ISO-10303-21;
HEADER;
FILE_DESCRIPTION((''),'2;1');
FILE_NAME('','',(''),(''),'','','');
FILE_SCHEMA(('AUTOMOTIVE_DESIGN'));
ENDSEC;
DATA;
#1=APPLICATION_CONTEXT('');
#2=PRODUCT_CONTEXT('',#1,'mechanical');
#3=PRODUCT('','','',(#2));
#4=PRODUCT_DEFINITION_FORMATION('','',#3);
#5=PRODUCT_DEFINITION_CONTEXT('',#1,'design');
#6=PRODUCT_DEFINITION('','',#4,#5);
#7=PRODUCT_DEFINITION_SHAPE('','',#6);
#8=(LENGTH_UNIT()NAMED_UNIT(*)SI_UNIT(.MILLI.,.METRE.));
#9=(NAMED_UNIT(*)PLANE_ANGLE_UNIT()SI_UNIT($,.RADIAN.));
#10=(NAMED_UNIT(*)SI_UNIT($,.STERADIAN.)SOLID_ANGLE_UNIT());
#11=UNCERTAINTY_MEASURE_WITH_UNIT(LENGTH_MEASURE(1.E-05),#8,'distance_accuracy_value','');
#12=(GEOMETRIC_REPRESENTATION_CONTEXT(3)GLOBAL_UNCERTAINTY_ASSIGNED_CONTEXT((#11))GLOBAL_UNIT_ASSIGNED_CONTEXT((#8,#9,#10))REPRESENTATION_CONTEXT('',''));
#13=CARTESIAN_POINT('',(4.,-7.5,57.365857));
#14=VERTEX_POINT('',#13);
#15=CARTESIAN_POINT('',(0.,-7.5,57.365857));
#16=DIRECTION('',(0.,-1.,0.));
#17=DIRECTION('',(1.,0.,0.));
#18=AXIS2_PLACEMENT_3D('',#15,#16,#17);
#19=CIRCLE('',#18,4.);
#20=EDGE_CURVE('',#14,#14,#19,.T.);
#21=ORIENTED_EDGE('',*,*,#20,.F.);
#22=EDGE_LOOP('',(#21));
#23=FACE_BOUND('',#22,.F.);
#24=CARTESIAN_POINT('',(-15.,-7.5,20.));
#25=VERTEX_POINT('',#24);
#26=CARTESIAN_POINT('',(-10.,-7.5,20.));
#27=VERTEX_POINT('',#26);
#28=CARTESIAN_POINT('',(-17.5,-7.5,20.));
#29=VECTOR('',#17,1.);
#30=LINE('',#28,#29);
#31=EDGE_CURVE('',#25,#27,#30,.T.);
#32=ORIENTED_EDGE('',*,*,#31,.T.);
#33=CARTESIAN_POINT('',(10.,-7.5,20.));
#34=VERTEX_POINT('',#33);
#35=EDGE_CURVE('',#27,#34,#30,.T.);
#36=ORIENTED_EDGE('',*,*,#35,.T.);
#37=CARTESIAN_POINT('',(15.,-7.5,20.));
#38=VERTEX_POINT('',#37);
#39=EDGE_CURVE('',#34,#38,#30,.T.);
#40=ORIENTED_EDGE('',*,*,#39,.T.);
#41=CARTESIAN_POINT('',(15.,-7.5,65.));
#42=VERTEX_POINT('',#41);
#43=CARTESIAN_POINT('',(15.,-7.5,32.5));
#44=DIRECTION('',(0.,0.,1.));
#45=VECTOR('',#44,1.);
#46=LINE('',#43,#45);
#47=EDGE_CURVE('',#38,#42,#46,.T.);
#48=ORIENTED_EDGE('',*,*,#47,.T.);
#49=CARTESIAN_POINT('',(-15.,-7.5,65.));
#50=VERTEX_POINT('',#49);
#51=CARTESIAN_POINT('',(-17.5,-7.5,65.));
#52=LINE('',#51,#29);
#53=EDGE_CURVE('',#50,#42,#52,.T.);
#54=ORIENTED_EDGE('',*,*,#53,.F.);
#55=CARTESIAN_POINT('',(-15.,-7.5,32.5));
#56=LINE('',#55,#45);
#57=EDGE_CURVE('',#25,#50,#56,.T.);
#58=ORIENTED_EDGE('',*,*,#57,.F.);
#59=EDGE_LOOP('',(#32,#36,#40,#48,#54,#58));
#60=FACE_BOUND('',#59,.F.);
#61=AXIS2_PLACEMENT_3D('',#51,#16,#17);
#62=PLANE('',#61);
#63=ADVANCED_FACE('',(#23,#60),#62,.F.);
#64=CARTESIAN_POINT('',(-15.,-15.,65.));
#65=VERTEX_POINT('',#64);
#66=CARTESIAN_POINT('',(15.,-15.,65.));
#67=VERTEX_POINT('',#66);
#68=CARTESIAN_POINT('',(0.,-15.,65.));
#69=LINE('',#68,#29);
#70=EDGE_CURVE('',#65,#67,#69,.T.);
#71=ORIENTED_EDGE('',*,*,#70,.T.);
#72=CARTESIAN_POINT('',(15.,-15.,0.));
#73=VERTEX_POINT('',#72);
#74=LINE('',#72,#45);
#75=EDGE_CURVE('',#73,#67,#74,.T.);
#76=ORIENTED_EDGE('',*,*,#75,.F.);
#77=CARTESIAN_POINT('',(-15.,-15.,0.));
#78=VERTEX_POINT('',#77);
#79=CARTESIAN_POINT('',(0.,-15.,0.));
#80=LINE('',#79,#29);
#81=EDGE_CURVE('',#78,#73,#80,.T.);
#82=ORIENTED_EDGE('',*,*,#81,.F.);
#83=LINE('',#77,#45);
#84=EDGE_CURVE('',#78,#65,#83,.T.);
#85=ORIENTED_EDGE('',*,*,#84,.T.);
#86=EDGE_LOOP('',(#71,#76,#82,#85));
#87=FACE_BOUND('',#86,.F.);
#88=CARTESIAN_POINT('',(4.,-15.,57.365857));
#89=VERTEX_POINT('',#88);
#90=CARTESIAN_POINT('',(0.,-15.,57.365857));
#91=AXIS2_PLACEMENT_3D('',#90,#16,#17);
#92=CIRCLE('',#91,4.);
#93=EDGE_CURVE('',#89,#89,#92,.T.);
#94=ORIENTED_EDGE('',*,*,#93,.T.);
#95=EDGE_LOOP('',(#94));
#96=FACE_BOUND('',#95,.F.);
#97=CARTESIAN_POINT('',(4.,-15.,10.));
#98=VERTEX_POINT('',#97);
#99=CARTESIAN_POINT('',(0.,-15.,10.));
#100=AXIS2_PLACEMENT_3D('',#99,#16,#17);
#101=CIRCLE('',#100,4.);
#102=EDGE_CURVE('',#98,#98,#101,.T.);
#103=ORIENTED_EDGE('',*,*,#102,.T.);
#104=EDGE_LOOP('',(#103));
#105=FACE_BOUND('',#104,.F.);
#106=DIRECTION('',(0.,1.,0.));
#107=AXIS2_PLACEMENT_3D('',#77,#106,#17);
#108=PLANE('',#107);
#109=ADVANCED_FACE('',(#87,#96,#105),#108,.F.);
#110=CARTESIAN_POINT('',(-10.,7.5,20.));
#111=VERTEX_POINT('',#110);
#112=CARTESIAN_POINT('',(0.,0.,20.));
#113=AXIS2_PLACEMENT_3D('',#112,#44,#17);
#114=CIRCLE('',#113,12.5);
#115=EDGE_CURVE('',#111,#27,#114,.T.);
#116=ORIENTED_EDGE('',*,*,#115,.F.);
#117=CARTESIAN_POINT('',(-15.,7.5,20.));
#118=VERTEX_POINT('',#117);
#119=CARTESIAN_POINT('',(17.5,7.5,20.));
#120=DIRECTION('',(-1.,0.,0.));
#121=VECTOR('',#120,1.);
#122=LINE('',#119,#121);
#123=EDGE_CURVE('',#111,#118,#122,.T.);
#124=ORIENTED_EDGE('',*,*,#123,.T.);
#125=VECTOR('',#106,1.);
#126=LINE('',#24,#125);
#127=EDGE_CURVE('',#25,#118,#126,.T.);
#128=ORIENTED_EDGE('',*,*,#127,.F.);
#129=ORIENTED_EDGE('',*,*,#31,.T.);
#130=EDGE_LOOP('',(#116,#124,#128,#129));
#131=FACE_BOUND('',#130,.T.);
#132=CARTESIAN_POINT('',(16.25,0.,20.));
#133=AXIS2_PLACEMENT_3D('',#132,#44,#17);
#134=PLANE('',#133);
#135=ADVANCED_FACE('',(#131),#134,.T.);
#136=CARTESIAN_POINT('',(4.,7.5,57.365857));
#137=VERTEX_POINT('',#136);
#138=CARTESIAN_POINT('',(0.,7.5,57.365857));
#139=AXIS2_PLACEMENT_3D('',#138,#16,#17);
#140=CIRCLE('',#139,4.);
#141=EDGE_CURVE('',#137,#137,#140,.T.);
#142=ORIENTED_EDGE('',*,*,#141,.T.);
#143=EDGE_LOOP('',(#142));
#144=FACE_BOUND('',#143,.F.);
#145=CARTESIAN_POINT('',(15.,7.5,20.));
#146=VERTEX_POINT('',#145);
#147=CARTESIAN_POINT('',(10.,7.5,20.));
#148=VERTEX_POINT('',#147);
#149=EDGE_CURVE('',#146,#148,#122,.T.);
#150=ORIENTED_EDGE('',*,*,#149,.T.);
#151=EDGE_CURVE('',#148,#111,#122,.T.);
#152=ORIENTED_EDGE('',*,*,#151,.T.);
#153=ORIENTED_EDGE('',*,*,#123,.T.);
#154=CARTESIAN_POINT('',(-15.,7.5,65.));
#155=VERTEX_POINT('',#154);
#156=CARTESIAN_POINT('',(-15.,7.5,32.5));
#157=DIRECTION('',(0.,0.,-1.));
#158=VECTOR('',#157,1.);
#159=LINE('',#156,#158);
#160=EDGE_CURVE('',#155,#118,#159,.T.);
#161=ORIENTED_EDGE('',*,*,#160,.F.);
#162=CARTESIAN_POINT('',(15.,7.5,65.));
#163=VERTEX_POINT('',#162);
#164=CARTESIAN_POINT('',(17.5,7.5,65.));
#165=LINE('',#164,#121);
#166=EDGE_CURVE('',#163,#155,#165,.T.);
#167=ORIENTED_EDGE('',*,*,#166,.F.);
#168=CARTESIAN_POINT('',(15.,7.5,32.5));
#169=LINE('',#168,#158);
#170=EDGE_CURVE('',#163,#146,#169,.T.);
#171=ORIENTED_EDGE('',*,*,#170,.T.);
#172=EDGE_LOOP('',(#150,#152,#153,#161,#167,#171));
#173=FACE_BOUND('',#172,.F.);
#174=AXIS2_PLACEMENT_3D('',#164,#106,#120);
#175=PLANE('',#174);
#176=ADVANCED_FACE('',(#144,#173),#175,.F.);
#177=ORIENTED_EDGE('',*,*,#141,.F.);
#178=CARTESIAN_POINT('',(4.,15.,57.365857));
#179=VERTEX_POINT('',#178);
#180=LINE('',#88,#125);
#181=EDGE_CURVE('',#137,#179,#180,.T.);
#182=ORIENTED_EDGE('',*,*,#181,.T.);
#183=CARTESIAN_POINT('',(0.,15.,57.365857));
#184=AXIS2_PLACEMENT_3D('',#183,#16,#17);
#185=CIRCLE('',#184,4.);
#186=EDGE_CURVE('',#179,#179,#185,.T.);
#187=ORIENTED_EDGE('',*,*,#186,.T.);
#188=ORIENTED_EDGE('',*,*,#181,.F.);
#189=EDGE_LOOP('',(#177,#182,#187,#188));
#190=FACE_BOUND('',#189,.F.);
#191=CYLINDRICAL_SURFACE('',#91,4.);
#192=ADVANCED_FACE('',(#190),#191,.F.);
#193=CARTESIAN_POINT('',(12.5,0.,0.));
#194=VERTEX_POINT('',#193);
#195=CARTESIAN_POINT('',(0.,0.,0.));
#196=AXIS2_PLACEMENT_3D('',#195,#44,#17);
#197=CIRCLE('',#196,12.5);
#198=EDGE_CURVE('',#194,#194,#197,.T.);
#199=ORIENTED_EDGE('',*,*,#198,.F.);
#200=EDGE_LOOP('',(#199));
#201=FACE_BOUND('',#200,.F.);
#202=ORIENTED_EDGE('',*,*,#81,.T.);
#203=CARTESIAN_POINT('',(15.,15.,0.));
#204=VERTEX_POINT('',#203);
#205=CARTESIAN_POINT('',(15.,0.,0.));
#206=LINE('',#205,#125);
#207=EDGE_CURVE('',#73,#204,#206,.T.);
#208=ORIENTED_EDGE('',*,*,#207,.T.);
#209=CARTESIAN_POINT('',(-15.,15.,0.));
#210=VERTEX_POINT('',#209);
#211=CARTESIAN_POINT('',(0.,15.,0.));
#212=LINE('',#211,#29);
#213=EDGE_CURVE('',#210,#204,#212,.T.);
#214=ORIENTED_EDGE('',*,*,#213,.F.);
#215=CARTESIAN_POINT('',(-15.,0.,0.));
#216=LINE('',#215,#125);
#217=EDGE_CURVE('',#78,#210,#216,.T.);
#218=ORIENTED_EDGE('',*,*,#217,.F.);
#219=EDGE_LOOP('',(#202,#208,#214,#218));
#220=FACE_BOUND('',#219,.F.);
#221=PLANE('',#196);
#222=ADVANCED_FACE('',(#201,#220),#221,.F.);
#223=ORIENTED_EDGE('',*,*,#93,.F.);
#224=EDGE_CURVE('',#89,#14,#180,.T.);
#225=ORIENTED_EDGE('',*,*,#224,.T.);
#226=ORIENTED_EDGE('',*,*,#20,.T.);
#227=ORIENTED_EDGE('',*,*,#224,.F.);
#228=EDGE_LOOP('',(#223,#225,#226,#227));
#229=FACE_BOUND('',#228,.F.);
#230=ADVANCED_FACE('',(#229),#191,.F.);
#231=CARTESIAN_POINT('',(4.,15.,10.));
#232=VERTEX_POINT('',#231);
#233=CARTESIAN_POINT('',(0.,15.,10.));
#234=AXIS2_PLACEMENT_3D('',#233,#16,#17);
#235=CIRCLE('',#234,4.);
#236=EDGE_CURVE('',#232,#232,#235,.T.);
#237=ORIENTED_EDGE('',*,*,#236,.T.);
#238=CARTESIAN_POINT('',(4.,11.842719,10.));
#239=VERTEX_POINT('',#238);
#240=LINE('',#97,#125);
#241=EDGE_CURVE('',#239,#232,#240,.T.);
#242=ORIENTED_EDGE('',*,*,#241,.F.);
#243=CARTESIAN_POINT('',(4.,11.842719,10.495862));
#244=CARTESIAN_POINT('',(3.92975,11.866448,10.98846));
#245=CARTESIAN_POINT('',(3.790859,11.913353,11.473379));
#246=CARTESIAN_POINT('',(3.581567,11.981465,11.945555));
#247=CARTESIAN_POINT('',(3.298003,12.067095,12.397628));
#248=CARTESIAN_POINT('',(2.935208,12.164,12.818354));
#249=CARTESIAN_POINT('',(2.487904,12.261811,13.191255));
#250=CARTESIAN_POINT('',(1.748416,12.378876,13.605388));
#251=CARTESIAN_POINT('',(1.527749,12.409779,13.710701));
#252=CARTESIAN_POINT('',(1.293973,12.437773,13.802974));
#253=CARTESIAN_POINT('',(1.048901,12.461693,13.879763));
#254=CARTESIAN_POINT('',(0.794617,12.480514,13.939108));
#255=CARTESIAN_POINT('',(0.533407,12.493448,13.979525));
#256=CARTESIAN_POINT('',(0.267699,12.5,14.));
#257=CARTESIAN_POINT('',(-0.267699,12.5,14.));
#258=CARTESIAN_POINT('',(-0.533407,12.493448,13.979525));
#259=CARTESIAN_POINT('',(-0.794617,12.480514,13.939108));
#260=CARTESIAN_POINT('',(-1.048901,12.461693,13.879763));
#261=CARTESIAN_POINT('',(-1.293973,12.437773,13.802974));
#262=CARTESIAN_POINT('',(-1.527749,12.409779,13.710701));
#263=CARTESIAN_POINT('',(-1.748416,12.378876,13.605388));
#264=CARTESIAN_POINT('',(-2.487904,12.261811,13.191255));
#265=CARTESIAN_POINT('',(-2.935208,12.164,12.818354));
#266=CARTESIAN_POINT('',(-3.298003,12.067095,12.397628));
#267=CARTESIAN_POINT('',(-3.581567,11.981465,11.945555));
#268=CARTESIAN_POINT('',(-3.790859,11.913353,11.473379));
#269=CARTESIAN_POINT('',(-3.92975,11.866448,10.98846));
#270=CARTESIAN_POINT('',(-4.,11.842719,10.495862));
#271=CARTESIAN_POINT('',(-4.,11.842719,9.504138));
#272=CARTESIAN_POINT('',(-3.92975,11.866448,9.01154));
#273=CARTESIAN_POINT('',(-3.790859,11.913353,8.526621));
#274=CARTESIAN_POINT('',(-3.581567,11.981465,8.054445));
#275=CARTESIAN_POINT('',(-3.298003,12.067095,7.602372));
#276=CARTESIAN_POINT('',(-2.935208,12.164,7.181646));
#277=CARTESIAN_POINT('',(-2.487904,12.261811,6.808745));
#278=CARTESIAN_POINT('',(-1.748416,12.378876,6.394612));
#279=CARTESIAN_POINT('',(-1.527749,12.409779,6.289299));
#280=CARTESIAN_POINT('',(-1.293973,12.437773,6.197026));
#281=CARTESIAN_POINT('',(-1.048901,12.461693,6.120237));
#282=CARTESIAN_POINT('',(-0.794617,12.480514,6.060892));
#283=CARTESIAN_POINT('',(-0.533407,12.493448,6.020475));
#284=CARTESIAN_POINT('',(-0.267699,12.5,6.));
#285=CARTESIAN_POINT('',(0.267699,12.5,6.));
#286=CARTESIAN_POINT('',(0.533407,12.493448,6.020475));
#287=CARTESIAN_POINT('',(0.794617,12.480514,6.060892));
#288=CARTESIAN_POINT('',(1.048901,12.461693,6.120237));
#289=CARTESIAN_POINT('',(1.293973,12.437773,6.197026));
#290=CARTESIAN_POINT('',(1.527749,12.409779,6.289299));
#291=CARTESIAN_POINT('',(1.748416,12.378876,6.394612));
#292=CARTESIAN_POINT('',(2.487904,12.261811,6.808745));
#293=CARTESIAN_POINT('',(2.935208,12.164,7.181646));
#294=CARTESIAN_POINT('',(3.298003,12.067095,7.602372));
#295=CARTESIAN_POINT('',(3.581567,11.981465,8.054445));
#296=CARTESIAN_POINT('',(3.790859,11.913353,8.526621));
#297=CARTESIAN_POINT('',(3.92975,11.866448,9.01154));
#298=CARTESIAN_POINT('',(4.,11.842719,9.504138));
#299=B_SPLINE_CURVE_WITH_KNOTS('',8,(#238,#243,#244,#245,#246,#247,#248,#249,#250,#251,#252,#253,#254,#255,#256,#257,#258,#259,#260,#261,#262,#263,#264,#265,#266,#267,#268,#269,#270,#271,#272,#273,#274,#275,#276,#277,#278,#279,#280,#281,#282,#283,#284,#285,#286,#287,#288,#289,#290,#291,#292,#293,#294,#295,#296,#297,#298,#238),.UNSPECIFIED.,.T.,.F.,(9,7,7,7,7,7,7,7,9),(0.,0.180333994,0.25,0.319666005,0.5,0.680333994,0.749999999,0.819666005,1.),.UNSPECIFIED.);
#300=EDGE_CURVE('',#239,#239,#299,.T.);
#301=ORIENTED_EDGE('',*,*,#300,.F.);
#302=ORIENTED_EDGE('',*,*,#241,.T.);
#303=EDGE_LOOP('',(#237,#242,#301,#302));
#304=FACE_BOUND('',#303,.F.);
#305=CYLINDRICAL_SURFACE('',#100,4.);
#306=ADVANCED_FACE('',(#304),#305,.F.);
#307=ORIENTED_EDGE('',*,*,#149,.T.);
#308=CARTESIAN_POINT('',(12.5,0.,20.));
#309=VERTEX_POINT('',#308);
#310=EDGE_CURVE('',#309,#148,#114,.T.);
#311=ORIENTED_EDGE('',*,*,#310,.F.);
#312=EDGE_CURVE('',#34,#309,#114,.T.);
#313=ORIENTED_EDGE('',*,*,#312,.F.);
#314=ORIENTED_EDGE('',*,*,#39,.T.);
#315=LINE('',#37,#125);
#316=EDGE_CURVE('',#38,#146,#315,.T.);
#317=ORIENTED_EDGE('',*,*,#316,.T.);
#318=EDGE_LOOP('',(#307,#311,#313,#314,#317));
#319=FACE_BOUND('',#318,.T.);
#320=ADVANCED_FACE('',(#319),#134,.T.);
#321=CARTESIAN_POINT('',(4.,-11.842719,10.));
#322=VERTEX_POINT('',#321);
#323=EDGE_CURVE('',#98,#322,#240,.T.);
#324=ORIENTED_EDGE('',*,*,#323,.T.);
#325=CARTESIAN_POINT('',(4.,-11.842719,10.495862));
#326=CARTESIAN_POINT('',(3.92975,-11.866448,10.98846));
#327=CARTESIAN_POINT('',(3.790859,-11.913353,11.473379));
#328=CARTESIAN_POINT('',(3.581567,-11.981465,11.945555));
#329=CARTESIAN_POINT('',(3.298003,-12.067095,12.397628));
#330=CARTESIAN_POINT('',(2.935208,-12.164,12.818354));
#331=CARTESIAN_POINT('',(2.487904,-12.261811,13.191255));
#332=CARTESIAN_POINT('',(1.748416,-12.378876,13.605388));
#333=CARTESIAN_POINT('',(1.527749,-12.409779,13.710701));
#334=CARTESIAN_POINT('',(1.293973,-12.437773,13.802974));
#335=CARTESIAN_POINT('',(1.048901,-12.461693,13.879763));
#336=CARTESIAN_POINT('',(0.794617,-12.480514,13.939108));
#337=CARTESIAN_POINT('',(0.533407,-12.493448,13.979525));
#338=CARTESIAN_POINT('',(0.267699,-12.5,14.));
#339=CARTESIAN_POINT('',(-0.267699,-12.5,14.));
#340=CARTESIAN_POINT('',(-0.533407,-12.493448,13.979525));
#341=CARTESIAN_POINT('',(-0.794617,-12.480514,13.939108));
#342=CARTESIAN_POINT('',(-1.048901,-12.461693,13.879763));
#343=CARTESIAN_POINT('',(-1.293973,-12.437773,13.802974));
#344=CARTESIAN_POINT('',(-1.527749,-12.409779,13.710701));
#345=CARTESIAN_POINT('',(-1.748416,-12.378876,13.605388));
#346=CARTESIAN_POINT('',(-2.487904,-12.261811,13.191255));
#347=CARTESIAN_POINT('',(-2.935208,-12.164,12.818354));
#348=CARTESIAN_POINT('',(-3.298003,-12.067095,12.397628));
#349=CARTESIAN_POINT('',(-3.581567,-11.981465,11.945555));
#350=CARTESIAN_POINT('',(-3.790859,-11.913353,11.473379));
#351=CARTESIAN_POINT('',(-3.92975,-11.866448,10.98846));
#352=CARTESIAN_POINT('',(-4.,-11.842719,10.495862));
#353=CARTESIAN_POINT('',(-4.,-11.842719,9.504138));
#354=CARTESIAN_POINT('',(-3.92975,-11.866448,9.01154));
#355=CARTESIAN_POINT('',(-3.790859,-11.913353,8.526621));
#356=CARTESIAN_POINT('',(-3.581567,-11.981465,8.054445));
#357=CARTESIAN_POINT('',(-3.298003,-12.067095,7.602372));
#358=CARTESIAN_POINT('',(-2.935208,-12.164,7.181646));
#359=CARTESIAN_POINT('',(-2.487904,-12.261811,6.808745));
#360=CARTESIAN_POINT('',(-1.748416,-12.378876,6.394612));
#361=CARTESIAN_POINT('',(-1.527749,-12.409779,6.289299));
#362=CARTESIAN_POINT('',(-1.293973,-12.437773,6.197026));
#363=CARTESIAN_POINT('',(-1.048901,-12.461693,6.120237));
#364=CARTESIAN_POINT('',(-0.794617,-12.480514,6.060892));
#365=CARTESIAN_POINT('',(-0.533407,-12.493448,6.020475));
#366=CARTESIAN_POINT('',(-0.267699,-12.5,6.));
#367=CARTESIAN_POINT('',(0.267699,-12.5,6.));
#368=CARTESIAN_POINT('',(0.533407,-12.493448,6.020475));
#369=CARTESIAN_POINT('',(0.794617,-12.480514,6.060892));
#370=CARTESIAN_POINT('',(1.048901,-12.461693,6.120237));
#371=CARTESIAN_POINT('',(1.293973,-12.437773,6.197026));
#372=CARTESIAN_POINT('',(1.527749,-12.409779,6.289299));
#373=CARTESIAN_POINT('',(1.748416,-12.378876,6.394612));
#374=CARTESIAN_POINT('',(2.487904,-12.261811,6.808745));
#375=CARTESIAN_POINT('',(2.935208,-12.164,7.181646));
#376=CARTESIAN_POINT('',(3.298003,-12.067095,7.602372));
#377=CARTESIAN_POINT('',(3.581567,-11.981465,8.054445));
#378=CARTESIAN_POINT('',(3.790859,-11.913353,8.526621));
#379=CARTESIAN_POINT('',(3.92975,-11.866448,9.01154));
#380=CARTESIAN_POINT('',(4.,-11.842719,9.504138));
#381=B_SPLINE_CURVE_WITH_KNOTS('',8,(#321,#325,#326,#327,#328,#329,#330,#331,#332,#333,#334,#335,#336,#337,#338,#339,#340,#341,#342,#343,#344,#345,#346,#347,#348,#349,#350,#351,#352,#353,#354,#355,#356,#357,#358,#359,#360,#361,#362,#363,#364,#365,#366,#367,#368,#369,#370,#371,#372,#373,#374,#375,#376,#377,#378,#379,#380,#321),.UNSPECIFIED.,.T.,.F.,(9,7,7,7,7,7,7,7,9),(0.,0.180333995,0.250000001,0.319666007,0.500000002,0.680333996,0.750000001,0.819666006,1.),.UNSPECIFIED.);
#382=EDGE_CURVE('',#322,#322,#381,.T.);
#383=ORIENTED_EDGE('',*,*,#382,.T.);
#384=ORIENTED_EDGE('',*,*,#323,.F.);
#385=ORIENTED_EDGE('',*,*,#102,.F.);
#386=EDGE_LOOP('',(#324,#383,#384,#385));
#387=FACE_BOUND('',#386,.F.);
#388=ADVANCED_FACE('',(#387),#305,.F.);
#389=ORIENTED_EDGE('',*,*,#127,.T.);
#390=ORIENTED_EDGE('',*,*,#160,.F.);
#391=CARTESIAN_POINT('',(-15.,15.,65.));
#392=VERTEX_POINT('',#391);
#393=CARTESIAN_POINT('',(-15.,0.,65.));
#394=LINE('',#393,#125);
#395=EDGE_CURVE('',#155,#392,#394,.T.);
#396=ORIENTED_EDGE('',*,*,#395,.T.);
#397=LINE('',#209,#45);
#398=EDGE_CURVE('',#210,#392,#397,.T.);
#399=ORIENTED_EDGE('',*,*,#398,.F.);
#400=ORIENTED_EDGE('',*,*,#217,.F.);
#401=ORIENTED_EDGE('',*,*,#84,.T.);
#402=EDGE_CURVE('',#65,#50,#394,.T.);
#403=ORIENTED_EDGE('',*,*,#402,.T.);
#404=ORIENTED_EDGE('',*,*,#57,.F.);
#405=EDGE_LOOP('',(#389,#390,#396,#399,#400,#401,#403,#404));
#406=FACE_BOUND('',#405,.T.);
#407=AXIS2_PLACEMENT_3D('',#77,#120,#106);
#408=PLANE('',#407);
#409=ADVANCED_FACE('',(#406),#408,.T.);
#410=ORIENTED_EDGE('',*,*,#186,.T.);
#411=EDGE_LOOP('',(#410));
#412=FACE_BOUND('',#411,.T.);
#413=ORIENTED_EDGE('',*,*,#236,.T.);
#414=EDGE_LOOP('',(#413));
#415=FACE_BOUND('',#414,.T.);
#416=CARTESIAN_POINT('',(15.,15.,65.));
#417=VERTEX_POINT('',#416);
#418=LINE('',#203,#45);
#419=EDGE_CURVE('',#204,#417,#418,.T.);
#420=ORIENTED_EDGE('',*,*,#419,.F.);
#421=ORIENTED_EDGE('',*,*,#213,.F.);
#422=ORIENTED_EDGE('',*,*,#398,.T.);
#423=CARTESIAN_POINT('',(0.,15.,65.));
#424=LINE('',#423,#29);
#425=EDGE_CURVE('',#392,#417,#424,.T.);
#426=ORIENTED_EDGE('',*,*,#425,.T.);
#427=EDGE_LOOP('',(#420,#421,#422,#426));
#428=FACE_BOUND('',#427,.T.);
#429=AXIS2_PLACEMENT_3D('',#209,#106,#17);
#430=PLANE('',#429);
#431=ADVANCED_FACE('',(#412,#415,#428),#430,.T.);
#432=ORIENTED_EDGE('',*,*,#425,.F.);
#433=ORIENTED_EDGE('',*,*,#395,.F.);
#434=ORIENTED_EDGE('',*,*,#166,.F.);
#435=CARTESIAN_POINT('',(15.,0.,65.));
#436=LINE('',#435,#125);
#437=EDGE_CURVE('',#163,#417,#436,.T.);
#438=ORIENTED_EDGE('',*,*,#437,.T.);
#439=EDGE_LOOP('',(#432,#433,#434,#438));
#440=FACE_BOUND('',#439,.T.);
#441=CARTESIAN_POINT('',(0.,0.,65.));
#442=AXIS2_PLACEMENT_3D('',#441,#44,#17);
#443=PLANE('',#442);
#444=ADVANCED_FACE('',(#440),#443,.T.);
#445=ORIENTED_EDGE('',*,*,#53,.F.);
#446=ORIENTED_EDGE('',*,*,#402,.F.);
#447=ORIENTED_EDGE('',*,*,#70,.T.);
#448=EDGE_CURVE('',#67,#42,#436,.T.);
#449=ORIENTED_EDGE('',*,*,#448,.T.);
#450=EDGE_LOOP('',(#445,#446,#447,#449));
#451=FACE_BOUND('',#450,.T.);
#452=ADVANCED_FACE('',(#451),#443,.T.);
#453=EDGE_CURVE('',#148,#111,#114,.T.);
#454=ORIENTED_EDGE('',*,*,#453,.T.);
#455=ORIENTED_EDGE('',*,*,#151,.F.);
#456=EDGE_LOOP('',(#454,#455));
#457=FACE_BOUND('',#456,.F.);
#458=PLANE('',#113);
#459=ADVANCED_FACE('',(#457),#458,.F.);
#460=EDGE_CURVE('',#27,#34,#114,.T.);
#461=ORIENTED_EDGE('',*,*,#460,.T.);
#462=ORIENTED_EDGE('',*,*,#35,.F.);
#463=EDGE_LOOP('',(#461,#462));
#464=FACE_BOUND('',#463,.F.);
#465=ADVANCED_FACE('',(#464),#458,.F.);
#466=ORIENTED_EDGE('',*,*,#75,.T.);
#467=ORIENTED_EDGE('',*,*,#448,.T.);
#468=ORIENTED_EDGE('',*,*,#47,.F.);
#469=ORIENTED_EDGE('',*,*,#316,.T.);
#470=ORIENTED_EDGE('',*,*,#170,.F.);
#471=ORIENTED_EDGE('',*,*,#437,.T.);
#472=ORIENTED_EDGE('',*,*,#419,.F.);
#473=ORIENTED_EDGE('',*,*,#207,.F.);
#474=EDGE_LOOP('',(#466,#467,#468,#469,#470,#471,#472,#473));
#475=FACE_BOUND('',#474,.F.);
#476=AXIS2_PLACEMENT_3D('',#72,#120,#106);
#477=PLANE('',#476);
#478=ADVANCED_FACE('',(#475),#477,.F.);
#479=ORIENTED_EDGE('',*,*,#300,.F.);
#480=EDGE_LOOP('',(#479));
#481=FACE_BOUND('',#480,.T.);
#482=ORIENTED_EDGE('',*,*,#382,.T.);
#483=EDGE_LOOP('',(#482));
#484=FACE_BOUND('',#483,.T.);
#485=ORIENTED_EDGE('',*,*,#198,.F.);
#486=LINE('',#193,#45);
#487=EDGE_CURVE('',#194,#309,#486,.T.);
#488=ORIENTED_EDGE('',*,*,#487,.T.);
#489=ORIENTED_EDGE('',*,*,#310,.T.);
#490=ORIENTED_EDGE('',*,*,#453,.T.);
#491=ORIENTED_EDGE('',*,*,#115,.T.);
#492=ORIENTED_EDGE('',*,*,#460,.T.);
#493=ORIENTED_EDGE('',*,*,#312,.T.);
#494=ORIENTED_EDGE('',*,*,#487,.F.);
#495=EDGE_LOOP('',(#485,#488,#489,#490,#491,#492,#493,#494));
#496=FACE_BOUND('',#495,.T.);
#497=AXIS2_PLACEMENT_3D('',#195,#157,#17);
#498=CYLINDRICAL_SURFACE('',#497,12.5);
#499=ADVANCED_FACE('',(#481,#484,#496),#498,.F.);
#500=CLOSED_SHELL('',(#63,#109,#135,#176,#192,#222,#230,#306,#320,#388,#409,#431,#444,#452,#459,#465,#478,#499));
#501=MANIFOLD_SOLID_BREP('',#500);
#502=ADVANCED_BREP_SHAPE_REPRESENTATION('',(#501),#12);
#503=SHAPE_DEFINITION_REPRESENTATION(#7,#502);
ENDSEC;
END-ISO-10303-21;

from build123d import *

# Parameters (mm, degrees)
F0_W     = 30
F0_H     = 30
F0_R     = 12.5
F1_DEPTH = 65
F2_W     = 2.5
F2_H     = 15
F2_W_2   = 30
F3_DEPTH = 45
F4_R     = 4
F5_DEPTH = 30.001
F6_DEPTH = 20


with BuildPart() as f1:
    # F0 (on Top) → F1 (new body)
    with BuildSketch(Plane.XY):
        Rectangle(F0_W, F0_H)
        Circle(F0_R, mode=Mode.SUBTRACT)
        Circle(F0_R)
    extrude(amount=F1_DEPTH)

    # F2 (on face) → F3 (cut)
    with BuildSketch(Plane.XY.offset(65)):
        with Locations((16.25, 0)):
            Rectangle(F2_W, F2_H)
        Rectangle(F2_W_2, F2_H)
        with Locations((-16.25, 0)):
            Rectangle(F2_W, F2_H)
    extrude(amount=-F3_DEPTH, mode=Mode.SUBTRACT)

    # F4 (on face) → F5 (cut, through all)
    with BuildSketch(Plane.XZ.offset(15)):
        with Locations((0, 10)):
            Circle(F4_R)
        with Locations((0, 57.3658570647)):
            Circle(F4_R)
    extrude(amount=-F5_DEPTH, mode=Mode.SUBTRACT)

    # F0 (on Top) → F6 (cut, through all)
    with BuildSketch(Plane.XY):
        Circle(F0_R)
    extrude(amount=F6_DEPTH, mode=Mode.SUBTRACT)


solid = f1.part
